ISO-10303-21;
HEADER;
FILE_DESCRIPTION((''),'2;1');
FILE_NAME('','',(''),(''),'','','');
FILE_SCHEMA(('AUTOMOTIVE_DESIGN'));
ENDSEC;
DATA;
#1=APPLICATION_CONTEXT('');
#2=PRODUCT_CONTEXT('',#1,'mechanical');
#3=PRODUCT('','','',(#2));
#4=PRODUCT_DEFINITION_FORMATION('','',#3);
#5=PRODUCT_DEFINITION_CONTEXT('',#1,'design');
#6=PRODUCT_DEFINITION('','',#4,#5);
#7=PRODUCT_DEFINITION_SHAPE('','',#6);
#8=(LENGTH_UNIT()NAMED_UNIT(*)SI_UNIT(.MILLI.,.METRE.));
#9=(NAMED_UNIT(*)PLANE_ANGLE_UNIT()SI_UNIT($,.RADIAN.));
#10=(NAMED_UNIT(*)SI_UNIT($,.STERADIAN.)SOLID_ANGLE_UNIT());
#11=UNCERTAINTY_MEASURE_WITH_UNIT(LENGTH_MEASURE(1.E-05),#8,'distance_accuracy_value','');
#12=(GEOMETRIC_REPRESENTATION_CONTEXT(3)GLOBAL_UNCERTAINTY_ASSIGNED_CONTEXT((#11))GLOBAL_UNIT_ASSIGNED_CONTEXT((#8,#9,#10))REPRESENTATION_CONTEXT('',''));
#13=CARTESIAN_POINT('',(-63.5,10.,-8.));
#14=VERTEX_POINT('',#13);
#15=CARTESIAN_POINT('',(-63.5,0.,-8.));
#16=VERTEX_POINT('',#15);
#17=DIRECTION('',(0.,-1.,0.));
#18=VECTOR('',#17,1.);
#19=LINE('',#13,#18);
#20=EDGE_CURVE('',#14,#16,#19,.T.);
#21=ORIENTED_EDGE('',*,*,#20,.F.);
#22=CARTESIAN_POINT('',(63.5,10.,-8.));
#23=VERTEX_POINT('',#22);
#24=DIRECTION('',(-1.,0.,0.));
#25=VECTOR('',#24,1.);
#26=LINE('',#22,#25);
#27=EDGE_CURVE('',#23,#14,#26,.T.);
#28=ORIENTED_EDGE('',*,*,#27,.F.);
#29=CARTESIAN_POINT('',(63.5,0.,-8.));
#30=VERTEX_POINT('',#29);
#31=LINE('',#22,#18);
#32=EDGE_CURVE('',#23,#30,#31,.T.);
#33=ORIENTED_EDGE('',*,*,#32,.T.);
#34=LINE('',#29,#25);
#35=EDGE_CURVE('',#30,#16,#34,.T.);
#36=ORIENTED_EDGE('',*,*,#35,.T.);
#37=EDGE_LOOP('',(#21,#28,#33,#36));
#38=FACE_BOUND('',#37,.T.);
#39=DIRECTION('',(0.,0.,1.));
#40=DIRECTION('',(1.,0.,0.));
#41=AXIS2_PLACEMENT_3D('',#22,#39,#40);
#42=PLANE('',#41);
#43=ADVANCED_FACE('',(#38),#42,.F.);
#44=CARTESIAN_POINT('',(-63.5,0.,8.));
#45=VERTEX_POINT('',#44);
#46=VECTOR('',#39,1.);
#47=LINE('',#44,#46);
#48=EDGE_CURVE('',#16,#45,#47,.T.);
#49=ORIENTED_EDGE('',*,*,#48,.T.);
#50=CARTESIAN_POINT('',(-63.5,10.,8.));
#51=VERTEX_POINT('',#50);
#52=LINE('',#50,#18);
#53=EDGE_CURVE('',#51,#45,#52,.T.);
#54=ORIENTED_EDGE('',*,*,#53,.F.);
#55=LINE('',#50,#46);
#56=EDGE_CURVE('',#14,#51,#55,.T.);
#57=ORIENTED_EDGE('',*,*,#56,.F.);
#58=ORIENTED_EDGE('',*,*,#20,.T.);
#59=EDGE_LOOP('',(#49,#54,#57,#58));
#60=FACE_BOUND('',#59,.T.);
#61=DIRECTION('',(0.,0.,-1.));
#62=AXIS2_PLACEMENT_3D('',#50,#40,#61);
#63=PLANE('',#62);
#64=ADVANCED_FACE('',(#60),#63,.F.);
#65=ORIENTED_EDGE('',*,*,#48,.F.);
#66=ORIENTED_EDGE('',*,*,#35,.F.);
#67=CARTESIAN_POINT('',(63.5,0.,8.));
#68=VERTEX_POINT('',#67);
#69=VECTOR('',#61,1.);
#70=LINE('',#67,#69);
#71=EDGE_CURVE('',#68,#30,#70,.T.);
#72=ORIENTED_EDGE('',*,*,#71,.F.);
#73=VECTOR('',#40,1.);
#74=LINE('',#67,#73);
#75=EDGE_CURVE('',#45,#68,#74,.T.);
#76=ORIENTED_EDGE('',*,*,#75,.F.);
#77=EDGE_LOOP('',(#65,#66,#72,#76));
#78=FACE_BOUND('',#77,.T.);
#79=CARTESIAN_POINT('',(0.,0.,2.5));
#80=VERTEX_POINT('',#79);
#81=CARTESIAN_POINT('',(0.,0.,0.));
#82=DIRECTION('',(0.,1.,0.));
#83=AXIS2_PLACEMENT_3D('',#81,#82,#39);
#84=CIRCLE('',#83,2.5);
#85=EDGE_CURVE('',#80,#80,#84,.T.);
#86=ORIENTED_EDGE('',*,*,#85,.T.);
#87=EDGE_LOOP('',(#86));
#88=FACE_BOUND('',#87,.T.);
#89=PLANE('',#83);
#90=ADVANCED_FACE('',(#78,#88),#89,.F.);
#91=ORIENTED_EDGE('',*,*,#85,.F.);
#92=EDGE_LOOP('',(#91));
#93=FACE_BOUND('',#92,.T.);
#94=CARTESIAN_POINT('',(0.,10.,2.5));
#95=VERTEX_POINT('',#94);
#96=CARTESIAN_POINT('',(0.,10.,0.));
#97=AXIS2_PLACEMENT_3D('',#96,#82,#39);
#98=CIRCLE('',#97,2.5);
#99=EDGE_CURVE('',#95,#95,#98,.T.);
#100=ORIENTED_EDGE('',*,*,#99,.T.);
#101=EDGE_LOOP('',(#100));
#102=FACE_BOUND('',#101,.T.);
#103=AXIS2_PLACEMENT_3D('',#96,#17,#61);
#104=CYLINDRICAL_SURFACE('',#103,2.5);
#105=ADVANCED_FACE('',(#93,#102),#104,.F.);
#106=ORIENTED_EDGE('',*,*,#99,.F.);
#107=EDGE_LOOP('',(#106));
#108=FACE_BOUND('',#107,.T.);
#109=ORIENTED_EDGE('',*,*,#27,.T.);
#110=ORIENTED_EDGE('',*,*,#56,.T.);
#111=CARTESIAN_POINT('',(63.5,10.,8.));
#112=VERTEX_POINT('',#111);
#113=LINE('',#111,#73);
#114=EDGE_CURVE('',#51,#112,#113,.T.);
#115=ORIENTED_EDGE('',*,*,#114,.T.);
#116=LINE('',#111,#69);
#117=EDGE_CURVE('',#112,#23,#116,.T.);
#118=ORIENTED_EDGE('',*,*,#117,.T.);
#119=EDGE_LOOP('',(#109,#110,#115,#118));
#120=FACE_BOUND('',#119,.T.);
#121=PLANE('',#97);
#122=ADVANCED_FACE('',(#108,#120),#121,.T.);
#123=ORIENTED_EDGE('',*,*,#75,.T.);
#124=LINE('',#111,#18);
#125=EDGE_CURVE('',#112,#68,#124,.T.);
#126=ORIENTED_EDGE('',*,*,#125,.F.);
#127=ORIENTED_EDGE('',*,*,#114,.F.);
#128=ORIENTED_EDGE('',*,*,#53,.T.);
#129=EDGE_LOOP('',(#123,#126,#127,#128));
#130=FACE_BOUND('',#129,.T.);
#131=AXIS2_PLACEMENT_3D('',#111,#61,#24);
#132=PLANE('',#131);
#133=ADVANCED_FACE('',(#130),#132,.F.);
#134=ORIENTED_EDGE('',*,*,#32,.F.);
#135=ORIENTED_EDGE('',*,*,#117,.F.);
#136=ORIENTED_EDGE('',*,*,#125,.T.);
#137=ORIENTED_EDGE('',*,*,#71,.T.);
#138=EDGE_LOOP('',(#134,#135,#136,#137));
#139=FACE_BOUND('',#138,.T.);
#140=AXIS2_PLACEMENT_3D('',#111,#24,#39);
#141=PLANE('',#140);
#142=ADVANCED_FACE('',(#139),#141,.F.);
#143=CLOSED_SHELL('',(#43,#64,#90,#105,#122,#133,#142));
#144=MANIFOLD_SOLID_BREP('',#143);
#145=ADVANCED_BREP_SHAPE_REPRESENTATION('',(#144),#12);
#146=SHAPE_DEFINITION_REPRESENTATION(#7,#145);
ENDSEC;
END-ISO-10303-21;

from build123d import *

# Parameters (mm, degrees)
SKETCH1_W           = 127
SKETCH1_H           = 16
SKETCH1_R           = 2.5
BOSS_EXTRUDE1_DEPTH = 10


with BuildPart() as part:
    # Sketch1 → Boss-Extrude1 (new body)
    with BuildSketch(Plane(origin=(0, 0, 0), x_dir=(1, 0, 0), z_dir=(0, 1, 0))):
        Rectangle(SKETCH1_W, SKETCH1_H)
        with Locations(Location((0, 0, 0), (0, 0, 270))):
            Circle(SKETCH1_R, mode=Mode.SUBTRACT)
    extrude(amount=BOSS_EXTRUDE1_DEPTH)


solid = part.part
